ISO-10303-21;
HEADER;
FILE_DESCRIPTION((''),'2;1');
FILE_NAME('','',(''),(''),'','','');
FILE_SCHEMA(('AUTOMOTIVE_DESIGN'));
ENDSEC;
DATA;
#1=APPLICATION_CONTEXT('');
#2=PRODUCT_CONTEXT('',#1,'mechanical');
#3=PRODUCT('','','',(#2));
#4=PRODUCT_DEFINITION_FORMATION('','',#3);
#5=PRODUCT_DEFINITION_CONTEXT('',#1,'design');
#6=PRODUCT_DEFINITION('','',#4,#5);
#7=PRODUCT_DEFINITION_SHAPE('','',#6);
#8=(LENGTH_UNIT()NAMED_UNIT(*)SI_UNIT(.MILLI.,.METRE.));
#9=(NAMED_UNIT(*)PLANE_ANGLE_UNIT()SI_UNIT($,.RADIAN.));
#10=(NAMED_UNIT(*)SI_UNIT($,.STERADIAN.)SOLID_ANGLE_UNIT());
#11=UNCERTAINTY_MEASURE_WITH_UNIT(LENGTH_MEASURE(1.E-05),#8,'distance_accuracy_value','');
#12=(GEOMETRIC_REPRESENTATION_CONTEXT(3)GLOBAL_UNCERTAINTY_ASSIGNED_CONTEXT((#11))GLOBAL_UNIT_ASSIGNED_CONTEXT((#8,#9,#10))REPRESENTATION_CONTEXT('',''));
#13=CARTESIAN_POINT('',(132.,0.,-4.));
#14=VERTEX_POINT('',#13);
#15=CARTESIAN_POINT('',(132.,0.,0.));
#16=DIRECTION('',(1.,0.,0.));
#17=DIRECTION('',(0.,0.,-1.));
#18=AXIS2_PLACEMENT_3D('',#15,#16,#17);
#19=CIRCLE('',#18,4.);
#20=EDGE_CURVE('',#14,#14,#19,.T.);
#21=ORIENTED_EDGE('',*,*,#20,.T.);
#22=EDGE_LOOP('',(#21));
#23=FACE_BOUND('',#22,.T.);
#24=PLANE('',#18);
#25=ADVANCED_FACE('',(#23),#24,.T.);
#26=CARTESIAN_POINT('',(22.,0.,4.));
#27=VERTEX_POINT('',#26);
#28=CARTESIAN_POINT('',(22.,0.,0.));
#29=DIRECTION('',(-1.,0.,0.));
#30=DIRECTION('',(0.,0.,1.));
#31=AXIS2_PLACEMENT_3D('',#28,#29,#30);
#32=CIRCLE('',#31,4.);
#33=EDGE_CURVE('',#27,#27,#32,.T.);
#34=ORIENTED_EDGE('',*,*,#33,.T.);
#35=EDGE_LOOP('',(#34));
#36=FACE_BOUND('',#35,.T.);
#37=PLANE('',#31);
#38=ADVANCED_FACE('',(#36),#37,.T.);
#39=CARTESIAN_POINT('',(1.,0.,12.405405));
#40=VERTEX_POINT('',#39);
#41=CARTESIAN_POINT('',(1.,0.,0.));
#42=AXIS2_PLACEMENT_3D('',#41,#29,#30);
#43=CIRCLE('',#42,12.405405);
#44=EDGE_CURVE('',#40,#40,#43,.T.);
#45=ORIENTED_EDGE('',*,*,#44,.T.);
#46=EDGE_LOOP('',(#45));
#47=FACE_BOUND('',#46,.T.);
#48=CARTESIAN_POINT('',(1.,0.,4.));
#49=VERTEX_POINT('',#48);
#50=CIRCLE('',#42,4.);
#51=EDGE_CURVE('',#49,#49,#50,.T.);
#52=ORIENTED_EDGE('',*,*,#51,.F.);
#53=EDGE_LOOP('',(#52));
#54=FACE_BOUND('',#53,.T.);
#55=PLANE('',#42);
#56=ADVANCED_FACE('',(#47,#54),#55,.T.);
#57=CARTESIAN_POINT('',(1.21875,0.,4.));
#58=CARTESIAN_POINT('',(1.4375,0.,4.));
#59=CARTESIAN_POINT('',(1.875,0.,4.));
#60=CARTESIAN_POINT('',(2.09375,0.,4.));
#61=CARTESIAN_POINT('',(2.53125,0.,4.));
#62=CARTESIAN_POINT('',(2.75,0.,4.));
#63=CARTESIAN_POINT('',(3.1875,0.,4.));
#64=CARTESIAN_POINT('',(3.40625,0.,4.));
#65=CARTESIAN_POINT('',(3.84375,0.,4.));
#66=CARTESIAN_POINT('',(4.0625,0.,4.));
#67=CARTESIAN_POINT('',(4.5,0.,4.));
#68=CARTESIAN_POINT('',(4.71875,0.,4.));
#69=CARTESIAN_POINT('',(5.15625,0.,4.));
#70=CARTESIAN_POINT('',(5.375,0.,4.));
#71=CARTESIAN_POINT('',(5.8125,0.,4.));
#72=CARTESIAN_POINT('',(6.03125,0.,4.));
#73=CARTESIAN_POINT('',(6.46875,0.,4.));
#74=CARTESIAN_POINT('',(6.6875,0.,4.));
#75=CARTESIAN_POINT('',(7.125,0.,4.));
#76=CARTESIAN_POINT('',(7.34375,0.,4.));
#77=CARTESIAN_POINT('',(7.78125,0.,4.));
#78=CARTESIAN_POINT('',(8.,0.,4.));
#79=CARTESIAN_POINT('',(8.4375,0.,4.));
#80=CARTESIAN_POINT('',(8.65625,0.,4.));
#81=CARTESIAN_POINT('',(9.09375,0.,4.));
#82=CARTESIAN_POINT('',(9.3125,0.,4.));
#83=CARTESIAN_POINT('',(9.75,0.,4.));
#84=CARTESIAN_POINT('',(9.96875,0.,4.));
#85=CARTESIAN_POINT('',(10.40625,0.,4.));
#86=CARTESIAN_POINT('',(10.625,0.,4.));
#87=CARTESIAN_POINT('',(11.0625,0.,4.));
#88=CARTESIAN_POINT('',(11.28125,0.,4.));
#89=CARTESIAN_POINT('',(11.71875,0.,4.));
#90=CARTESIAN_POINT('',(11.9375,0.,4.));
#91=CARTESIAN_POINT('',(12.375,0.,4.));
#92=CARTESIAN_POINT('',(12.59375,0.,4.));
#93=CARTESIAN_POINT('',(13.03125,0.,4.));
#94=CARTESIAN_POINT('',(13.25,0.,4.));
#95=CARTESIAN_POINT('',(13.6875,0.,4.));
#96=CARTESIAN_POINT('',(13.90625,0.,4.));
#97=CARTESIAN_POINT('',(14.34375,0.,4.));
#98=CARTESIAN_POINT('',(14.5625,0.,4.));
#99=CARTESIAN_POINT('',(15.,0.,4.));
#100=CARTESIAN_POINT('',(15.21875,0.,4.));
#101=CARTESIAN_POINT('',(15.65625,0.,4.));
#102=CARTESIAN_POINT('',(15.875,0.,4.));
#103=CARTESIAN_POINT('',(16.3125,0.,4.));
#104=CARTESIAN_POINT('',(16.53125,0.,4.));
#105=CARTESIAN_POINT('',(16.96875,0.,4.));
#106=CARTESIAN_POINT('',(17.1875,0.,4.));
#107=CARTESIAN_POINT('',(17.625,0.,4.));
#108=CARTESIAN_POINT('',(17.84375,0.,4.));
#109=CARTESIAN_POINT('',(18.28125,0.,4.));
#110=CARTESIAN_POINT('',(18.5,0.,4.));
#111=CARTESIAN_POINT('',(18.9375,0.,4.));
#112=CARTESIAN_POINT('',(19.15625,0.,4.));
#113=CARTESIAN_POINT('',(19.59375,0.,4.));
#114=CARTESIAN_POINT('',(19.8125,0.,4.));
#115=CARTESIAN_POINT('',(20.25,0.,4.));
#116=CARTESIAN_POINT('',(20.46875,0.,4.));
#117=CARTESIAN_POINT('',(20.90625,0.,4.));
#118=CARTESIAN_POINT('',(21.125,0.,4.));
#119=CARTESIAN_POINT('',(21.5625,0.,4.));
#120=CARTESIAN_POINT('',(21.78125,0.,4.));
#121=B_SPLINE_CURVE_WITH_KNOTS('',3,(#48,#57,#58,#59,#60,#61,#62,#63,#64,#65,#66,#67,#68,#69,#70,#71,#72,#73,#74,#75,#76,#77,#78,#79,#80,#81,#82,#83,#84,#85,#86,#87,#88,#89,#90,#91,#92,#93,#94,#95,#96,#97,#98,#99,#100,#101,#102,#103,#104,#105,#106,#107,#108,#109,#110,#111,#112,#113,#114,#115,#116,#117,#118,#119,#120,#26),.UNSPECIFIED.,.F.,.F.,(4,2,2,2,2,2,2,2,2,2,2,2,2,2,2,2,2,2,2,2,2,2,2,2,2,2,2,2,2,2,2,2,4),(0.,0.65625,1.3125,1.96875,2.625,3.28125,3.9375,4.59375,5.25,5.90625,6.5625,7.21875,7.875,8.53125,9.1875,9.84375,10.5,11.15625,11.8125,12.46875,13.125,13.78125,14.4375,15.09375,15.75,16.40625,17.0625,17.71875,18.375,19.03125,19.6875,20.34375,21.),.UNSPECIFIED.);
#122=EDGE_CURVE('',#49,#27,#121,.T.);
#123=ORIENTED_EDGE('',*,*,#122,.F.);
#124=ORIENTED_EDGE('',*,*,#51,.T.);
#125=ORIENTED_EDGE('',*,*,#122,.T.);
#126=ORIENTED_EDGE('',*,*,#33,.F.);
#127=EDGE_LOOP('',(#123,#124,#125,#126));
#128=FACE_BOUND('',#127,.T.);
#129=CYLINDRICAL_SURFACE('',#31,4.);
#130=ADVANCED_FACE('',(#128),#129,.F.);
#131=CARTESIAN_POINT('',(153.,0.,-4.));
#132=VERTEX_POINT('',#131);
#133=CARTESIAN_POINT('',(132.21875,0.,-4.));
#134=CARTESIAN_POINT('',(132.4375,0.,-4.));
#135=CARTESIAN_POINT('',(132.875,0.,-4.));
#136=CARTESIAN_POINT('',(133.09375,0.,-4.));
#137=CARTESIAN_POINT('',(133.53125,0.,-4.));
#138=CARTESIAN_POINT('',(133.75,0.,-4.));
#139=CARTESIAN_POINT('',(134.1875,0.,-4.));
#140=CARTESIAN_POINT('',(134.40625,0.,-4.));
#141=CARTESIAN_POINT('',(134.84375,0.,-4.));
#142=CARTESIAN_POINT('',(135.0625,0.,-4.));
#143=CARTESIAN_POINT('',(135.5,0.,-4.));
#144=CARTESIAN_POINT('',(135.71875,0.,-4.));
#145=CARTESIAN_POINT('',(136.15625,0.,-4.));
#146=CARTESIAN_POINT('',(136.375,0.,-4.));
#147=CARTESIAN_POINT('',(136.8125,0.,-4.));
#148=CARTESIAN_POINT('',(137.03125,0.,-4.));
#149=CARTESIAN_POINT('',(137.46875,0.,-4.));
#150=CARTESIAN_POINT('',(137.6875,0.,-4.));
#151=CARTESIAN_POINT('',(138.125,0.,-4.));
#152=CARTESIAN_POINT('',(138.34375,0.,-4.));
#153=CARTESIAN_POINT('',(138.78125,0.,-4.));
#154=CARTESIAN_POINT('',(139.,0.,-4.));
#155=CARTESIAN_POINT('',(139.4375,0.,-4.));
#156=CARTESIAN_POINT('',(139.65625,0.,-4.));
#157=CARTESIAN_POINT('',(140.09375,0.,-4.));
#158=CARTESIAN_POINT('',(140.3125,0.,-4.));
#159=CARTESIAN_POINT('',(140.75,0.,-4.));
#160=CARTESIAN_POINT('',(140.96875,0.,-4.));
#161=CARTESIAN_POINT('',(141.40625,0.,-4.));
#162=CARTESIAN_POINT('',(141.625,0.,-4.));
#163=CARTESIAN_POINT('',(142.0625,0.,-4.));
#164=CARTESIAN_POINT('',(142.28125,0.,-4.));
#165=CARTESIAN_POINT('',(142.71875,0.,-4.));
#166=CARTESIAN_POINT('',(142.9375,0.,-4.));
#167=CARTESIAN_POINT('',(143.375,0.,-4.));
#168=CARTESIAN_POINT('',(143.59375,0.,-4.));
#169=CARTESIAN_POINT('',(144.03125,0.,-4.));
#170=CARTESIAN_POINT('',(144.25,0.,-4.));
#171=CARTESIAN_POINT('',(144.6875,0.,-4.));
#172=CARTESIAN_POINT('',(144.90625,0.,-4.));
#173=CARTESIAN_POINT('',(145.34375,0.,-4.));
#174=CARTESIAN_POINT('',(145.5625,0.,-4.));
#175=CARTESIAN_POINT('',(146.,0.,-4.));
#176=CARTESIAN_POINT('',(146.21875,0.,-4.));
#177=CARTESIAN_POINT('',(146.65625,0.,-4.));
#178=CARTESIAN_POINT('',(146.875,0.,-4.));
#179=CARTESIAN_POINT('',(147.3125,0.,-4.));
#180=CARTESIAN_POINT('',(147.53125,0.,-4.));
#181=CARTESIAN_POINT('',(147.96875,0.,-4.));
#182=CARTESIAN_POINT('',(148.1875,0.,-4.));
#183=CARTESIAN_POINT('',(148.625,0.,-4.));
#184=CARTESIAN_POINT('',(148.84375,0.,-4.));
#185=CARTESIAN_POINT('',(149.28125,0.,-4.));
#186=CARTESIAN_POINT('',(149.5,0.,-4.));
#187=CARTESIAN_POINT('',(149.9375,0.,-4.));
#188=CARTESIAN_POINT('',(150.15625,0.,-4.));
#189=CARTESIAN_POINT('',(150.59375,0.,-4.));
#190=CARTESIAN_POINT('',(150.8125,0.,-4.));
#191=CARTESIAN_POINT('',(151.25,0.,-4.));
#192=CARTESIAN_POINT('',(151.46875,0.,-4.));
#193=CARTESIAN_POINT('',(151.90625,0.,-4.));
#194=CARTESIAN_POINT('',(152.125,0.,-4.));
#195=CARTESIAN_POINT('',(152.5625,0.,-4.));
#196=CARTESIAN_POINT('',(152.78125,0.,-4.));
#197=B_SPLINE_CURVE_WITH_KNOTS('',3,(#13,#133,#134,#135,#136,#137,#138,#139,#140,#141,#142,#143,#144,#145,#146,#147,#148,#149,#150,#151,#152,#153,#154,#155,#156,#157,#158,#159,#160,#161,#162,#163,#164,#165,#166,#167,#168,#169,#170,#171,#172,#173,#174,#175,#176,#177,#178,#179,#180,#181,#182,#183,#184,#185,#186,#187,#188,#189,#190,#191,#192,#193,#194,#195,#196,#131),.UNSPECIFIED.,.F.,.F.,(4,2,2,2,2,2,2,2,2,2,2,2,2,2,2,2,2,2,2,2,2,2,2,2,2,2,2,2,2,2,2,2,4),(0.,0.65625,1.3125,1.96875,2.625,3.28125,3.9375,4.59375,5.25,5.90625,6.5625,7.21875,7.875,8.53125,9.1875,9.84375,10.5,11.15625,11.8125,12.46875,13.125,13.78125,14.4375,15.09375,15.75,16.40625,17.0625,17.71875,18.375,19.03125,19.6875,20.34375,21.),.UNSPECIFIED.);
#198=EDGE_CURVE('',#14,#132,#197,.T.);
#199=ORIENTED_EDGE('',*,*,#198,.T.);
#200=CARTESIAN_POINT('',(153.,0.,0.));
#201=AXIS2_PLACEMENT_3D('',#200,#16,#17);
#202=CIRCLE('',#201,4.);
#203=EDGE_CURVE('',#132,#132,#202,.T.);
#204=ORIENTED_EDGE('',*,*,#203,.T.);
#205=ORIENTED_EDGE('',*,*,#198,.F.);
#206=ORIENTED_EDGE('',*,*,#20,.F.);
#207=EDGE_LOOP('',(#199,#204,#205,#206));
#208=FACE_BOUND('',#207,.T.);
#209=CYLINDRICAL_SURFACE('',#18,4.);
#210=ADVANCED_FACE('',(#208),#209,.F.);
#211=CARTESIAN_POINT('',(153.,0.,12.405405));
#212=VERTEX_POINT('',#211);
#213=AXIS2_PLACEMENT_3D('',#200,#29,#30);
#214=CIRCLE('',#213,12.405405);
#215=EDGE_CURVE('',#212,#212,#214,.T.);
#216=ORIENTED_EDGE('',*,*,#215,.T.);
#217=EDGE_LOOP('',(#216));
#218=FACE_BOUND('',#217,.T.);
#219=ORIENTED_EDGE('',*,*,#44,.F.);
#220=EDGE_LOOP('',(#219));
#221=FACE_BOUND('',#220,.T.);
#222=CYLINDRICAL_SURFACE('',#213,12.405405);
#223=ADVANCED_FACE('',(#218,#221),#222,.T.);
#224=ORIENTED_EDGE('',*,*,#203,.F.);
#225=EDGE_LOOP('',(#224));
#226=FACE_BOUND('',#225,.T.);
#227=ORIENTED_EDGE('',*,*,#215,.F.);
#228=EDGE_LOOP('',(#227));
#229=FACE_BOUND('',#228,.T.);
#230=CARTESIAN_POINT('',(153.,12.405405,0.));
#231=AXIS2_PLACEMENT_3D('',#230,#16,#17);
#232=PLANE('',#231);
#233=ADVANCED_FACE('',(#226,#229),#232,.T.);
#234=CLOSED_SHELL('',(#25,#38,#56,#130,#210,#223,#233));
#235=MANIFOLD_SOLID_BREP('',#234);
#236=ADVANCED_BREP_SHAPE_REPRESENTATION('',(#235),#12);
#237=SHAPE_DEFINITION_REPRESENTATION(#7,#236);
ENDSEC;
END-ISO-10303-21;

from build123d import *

# Parameters (mm, degrees)
IZIM1_W               = 152
IZIM1_H               = 12.405405405
IZIM2_R               = 4
KES_EKSTR_ZYON1_DEPTH = 21
KES_EKSTR_ZYON2_START = -21
KES_EKSTR_ZYON2_DEPTH = 21


with BuildPart() as part:
    # Çizim1 → Döndür1 (revolve)
    with BuildSketch(Plane(origin=(0, 0, 0), x_dir=(-1, 0, 0), z_dir=(0, 0, -1)), mode=Mode.PRIVATE) as d_nd_r1_sk:
        with Locations((-77, 6.202702703)):
            Rectangle(IZIM1_W, IZIM1_H)
    revolve(d_nd_r1_sk.sketch.rotate(Axis((153, 0, 0), (-1, 0, 0)), 270), axis=Axis((153, 0, 0), (-1, 0, 0)))

    # Çizim2 → Kes-Ekstrüzyon1 (cut)
    with BuildSketch(Plane(origin=(153, 0, 0), x_dir=(0, 0, -1), z_dir=(1, 0, 0))):
        Circle(IZIM2_R)
    extrude(amount=-KES_EKSTR_ZYON1_DEPTH, mode=Mode.SUBTRACT)

    # Çizim3 → Kes-Ekstrüzyon2 (cut)
    with BuildSketch(Plane.ZY.offset(-1).offset(KES_EKSTR_ZYON2_START)):
        with BuildLine():
            ThreePointArc((1.5, -3.708099244), (0, 4), (-1.5, -3.708099244))
            ThreePointArc((-1.5, -3.708099244), (0, -4), (1.5, -3.708099244))
        make_face()
    extrude(amount=KES_EKSTR_ZYON2_DEPTH, mode=Mode.SUBTRACT)


solid = part.part
